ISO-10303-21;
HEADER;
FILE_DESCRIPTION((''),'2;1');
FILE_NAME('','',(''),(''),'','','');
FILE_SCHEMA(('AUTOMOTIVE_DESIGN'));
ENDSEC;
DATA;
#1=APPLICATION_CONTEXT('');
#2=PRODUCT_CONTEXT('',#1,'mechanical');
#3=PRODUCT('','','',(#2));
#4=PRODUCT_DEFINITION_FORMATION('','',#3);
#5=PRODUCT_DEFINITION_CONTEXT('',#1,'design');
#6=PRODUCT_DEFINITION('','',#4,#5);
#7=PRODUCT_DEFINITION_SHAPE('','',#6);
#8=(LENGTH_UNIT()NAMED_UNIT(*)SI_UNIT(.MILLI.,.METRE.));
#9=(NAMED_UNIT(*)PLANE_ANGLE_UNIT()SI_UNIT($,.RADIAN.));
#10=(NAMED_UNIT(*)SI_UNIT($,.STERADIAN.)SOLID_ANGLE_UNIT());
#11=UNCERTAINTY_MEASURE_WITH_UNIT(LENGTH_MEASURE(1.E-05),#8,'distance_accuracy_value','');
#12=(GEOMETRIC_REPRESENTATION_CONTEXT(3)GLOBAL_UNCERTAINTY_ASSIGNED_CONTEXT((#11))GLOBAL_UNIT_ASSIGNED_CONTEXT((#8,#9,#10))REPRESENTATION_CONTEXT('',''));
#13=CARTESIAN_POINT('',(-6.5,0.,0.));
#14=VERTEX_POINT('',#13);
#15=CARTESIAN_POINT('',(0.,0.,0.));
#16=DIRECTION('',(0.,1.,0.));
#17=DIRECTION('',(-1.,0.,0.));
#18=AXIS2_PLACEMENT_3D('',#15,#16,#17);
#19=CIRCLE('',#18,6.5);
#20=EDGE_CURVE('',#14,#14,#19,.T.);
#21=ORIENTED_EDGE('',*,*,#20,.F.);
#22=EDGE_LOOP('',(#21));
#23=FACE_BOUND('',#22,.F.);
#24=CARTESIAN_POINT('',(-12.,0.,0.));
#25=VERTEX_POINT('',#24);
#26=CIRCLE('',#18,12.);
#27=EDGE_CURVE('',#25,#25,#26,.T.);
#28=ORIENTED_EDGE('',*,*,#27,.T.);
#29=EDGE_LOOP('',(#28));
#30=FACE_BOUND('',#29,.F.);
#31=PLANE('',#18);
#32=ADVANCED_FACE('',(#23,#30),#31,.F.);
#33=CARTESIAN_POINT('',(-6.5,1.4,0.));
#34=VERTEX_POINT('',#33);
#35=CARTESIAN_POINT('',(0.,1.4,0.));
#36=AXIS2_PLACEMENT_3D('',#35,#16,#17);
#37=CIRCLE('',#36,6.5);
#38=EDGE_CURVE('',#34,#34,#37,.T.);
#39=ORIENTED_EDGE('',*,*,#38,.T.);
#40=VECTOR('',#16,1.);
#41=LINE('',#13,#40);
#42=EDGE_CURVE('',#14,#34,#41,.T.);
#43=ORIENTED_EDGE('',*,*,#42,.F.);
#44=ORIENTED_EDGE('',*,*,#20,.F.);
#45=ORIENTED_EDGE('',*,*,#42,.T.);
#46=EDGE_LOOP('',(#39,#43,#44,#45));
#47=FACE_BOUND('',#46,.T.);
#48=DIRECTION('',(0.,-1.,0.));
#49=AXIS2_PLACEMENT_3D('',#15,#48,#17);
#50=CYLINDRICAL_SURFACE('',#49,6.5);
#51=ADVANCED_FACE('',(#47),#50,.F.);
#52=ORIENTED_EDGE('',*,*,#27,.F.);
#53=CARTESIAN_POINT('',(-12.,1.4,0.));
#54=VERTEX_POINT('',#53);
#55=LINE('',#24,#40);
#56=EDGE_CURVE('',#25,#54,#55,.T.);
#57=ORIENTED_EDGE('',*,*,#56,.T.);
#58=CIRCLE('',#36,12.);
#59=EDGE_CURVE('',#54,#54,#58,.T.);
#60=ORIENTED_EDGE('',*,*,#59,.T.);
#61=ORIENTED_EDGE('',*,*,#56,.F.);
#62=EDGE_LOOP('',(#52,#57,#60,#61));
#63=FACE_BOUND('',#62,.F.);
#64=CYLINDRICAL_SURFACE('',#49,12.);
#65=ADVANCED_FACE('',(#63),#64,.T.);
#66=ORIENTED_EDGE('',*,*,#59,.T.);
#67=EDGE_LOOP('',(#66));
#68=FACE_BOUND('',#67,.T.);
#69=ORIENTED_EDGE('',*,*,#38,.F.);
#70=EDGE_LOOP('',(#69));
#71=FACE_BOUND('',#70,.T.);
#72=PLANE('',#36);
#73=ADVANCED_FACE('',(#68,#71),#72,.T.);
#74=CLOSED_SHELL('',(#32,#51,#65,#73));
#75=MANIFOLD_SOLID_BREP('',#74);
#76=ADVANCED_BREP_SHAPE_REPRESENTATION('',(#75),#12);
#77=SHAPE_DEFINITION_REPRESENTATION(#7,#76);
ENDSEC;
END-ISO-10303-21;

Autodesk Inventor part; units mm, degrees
ref_plane "YZ Plane" through (0, 0, 0) normal (1, 0, 0) x (0, 1, 0)
ref_plane "XZ Plane" through (0, 0, 0) normal (0, 1, 0) x (-1, 0, 0)
ref_plane "XY Plane" through (0, 0, 0) normal (0, 0, 1) x (1, 0, 0)
sketch "Sketch1" plane through (0, 0, 0) normal (0, 1, 0) x (-1, 0, 0)
  circle A0 centre (0, 0) radius 6.5
  circle A1 centre (0, 0) radius 12
  dimension "d0" = 13
  dimension "d1" = 24
extrude "Extrusion1" add sketch "Sketch1" along normal blind 1.4
properties part number "M12 Tap washer RS 530-270"
